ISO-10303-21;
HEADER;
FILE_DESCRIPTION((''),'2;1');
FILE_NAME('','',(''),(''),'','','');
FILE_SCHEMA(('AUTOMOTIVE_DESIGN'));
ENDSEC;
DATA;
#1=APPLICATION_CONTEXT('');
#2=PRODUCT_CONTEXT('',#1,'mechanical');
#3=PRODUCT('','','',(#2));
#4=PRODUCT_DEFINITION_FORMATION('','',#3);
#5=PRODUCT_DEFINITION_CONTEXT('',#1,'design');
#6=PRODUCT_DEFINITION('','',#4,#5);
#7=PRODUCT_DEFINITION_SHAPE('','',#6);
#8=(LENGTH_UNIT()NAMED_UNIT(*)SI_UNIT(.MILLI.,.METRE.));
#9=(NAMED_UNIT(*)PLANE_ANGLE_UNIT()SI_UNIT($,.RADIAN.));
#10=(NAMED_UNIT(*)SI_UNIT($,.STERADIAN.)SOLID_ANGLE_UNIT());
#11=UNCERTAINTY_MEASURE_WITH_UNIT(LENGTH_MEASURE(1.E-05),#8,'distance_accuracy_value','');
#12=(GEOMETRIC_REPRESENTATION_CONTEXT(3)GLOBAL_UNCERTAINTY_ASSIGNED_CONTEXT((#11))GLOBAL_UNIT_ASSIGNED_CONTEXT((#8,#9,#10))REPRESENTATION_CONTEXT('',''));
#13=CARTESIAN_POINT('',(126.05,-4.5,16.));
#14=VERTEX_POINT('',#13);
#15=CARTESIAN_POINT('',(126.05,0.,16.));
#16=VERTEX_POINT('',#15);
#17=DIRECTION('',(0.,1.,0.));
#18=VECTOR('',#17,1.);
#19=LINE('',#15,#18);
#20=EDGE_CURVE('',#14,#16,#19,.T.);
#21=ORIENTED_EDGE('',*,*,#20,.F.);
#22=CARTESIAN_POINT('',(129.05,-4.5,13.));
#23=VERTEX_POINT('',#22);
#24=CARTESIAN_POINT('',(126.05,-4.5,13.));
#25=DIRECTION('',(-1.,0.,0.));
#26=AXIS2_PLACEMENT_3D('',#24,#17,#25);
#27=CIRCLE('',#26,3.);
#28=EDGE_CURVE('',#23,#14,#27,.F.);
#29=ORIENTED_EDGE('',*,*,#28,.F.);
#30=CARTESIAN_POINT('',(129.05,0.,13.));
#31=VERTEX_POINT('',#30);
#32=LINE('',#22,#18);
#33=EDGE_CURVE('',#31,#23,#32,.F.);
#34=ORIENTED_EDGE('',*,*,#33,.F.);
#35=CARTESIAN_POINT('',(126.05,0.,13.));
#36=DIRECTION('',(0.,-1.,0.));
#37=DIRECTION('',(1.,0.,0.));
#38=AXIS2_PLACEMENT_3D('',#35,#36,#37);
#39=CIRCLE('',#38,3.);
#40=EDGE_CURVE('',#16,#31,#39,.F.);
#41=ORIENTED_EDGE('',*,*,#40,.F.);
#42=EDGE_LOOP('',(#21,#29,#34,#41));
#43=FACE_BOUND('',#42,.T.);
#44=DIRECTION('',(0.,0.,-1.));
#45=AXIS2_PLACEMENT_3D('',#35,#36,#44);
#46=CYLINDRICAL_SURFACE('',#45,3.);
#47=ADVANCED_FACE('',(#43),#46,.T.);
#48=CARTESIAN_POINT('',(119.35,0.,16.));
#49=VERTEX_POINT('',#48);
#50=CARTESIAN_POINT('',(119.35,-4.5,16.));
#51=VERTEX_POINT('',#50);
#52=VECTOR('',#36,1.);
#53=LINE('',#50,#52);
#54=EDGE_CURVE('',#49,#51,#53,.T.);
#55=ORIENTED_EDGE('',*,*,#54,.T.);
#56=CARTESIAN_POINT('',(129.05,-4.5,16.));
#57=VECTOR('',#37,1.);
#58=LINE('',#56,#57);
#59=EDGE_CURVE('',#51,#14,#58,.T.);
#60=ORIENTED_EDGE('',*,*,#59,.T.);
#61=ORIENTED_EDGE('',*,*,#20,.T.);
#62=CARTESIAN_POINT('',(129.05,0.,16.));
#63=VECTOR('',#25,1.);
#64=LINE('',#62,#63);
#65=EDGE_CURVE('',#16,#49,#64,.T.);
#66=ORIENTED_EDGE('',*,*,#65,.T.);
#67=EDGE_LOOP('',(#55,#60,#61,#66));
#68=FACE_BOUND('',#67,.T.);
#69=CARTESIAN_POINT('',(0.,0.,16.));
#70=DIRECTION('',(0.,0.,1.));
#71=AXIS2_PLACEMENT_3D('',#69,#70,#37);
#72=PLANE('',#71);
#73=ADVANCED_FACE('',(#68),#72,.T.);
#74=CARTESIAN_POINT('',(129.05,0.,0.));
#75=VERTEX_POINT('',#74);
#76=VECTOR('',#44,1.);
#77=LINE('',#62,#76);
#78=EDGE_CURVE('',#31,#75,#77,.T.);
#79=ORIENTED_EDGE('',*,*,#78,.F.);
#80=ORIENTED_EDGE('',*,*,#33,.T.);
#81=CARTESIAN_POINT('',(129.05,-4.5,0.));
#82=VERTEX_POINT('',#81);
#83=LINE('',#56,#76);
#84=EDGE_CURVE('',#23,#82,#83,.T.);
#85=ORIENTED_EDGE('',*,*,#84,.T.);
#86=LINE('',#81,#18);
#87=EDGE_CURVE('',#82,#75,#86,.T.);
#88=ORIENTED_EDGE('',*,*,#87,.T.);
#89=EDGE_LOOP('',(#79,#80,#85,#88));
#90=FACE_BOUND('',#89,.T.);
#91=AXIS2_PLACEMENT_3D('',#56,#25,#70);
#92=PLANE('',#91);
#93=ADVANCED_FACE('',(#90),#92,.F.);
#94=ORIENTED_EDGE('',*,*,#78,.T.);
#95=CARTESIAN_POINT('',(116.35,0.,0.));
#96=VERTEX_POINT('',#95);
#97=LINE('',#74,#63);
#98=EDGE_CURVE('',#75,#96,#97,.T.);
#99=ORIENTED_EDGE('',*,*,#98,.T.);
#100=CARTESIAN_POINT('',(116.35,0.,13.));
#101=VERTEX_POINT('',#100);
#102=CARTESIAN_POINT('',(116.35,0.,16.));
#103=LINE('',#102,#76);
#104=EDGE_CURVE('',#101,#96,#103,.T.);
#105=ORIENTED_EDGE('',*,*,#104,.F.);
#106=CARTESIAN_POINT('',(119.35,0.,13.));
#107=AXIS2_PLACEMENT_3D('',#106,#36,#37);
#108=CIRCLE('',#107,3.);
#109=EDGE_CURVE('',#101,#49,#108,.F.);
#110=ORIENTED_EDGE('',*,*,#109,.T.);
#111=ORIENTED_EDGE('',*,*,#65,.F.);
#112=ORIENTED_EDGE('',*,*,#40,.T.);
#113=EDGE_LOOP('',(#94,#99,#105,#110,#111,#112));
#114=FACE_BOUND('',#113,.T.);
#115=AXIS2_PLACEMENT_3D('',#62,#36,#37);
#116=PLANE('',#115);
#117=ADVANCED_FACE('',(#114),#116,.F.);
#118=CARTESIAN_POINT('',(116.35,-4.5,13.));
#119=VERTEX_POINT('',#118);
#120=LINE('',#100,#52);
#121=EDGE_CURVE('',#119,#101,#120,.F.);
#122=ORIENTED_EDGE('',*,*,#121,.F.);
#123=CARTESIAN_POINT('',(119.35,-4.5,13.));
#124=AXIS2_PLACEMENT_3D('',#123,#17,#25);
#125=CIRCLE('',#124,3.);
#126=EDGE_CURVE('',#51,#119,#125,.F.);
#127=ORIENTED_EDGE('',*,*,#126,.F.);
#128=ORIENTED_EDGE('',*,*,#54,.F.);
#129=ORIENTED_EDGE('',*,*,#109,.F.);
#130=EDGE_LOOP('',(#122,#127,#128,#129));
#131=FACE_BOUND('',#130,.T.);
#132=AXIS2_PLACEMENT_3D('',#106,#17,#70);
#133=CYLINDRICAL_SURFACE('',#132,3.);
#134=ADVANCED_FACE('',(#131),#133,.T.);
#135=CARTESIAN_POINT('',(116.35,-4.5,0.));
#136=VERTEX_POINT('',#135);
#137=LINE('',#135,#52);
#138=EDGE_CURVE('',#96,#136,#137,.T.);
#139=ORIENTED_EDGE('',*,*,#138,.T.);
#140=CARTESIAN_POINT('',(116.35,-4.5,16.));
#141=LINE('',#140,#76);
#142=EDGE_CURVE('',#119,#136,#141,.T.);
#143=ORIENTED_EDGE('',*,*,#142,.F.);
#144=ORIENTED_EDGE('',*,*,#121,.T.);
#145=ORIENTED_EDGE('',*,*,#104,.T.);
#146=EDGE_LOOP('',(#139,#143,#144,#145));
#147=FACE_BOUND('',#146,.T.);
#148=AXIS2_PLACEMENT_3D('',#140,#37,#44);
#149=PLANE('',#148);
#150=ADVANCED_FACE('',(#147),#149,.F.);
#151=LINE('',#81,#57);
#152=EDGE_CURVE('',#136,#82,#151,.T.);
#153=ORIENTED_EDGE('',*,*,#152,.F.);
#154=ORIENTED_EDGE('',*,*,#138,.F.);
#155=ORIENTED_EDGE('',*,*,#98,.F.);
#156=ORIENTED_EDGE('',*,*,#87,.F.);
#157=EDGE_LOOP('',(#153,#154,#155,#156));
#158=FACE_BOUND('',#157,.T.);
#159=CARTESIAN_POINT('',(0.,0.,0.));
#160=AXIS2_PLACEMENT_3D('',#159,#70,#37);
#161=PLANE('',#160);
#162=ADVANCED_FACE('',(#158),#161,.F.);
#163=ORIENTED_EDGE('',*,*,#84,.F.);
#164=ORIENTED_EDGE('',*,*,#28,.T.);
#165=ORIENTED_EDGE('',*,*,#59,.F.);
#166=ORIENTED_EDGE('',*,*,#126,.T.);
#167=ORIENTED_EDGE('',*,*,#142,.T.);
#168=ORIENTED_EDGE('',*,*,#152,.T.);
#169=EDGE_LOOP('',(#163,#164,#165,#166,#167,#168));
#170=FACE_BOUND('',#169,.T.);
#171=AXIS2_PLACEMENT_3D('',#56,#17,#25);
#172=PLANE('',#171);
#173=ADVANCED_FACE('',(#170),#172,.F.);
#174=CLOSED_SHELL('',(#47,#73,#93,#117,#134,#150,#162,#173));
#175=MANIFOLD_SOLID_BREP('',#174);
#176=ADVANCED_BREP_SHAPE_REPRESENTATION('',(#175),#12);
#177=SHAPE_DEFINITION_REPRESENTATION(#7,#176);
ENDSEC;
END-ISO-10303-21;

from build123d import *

# Parameters (mm, degrees)
SKETCH1_W           = 12.7
SKETCH1_H           = 4.5
BOSS_EXTRUDE1_DEPTH = 16
FILLET1_R           = 3
FILLET2_R           = 3


with BuildPart() as part:
    # Sketch1 → Boss-Extrude1 (new body)
    with BuildSketch(Plane.XY):
        with Locations((122.7, -2.25)):
            Rectangle(SKETCH1_W, SKETCH1_H)
    extrude(amount=BOSS_EXTRUDE1_DEPTH)

    # Fillet1
    fillet1_edges = [part.edges().sort_by_distance(p)[0] for p in [
        (129.05, -2.25, 16),
    ]]
    fillet(fillet1_edges, radius=FILLET1_R)

    # Fillet2
    fillet2_edges = [part.edges().sort_by_distance(p)[0] for p in [
        (116.35, -2.25, 16),
    ]]
    fillet(fillet2_edges, radius=FILLET2_R)


solid = part.part
